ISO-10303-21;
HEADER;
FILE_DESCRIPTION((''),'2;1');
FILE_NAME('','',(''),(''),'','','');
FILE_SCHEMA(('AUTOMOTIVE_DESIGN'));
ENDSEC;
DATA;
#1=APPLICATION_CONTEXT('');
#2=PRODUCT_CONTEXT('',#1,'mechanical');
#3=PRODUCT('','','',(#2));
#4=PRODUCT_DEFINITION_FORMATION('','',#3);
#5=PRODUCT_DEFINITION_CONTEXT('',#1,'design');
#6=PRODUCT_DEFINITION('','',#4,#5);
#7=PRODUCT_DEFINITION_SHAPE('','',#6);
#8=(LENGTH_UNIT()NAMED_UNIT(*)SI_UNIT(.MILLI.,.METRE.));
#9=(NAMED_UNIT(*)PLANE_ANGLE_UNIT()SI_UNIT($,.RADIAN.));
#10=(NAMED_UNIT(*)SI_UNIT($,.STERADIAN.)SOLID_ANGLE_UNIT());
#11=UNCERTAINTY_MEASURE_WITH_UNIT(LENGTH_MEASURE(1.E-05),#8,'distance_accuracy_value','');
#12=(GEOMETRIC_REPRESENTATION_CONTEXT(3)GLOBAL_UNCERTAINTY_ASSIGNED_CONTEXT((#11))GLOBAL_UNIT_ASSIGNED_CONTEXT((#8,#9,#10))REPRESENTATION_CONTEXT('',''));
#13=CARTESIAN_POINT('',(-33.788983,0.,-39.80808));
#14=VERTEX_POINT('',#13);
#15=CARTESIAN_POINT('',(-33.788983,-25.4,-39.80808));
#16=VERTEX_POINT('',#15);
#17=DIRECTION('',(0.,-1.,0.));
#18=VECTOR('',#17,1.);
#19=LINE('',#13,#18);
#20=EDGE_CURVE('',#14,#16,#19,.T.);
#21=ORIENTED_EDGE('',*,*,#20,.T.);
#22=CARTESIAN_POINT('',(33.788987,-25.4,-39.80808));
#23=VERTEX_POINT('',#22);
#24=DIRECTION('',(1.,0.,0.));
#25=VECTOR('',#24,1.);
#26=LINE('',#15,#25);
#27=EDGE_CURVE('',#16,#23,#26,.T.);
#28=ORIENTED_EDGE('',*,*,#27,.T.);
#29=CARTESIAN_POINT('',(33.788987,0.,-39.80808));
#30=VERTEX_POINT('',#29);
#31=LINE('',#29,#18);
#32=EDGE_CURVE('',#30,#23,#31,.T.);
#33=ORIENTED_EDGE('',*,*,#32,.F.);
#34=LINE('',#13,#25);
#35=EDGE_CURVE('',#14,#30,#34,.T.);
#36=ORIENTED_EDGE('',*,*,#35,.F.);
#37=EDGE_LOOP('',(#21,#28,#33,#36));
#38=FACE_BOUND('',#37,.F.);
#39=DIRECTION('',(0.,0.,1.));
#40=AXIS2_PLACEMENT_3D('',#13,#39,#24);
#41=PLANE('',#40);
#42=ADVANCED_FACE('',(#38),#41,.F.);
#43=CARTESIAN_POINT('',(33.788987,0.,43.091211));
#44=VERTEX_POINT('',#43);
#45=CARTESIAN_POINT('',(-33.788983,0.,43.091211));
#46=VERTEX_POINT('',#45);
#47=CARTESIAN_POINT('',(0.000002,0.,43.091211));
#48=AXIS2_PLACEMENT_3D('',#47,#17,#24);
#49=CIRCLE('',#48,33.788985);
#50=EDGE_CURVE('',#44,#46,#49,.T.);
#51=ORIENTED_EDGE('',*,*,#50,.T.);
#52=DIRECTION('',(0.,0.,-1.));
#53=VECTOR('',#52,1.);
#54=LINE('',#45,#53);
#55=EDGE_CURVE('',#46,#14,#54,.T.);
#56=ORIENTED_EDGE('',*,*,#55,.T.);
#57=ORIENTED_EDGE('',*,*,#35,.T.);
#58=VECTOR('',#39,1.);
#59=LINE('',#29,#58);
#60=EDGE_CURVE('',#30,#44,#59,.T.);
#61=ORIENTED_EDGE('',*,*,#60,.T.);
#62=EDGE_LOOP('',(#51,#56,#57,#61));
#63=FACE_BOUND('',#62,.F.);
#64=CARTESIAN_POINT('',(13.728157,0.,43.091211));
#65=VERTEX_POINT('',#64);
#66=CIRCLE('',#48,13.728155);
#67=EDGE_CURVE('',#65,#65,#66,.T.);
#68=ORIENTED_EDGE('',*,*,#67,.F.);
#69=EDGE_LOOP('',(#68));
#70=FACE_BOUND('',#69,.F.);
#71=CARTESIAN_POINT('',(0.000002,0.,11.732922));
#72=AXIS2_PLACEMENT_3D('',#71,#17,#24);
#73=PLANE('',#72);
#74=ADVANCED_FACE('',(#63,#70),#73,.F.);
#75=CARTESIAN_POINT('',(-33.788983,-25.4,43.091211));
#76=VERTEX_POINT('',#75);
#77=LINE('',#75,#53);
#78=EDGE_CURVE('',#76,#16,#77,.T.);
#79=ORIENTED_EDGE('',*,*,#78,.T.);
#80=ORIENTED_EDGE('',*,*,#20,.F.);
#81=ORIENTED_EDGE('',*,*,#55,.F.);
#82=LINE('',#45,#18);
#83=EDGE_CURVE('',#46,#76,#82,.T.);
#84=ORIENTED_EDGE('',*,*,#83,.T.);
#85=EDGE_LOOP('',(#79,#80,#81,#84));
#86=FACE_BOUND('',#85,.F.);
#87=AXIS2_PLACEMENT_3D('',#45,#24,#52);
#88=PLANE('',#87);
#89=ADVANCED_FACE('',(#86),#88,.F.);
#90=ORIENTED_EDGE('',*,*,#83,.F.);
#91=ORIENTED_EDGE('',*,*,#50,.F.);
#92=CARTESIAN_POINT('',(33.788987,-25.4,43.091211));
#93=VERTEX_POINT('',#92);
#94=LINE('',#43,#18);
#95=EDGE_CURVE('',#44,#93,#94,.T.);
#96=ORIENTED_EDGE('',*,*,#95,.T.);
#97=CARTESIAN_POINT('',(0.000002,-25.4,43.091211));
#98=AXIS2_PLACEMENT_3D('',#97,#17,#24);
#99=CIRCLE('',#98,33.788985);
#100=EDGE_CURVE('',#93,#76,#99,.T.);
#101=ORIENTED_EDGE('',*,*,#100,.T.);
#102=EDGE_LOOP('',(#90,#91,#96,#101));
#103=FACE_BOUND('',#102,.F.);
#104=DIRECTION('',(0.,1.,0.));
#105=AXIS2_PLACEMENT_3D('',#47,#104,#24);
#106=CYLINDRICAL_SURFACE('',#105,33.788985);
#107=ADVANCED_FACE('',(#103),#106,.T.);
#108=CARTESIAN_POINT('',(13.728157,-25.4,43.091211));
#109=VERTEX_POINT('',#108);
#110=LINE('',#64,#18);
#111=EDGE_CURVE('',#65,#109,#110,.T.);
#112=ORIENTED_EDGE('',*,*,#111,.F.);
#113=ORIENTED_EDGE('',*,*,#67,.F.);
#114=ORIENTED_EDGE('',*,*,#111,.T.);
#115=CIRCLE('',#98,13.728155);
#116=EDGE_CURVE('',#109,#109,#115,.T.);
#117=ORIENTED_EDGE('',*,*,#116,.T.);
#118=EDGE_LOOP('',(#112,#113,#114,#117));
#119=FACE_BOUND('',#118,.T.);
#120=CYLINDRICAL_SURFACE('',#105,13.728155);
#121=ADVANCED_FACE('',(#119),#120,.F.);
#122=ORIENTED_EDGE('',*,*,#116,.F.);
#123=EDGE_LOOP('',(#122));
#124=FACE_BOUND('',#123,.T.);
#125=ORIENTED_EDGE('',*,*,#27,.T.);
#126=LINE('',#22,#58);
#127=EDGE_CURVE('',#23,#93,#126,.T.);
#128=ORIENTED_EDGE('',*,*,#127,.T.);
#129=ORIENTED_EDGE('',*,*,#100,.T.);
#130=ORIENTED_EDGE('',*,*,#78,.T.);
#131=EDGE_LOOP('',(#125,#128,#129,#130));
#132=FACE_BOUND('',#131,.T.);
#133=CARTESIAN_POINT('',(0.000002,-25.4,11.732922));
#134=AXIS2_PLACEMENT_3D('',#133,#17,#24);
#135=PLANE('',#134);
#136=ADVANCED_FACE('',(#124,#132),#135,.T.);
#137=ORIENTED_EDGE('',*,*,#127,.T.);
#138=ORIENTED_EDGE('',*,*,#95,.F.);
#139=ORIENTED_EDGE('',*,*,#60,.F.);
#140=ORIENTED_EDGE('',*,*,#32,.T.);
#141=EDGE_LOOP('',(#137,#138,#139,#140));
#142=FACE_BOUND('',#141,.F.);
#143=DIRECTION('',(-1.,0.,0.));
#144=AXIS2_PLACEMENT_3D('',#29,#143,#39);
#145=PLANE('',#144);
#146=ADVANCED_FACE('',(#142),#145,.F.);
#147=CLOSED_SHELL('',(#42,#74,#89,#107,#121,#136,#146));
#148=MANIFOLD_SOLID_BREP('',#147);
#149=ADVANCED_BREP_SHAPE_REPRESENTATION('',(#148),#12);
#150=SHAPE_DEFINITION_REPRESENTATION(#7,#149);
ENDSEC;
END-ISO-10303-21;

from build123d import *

# Parameters (mm, degrees)
F0_R     = 13.728155
F1_DEPTH = 25.4


with BuildPart() as f1:
    # F0 (on Front) → F1 (new body)
    with BuildSketch(Plane.XZ):
        with BuildLine():
            Line((-33.788983, -39.80808), (33.788987, -39.80808))
            Line((33.788987, -39.80808), (33.788987, 43.091211))
            ThreePointArc((33.788987, 43.091211), (2e-06, 76.880196), (-33.788983, 43.091211))
            Line((-33.788983, 43.091211), (-33.788983, -39.80808))
        make_face()
        with Locations((2e-06, 43.091211)):
            Circle(F0_R, mode=Mode.SUBTRACT)
    extrude(amount=F1_DEPTH)


solid = f1.part
